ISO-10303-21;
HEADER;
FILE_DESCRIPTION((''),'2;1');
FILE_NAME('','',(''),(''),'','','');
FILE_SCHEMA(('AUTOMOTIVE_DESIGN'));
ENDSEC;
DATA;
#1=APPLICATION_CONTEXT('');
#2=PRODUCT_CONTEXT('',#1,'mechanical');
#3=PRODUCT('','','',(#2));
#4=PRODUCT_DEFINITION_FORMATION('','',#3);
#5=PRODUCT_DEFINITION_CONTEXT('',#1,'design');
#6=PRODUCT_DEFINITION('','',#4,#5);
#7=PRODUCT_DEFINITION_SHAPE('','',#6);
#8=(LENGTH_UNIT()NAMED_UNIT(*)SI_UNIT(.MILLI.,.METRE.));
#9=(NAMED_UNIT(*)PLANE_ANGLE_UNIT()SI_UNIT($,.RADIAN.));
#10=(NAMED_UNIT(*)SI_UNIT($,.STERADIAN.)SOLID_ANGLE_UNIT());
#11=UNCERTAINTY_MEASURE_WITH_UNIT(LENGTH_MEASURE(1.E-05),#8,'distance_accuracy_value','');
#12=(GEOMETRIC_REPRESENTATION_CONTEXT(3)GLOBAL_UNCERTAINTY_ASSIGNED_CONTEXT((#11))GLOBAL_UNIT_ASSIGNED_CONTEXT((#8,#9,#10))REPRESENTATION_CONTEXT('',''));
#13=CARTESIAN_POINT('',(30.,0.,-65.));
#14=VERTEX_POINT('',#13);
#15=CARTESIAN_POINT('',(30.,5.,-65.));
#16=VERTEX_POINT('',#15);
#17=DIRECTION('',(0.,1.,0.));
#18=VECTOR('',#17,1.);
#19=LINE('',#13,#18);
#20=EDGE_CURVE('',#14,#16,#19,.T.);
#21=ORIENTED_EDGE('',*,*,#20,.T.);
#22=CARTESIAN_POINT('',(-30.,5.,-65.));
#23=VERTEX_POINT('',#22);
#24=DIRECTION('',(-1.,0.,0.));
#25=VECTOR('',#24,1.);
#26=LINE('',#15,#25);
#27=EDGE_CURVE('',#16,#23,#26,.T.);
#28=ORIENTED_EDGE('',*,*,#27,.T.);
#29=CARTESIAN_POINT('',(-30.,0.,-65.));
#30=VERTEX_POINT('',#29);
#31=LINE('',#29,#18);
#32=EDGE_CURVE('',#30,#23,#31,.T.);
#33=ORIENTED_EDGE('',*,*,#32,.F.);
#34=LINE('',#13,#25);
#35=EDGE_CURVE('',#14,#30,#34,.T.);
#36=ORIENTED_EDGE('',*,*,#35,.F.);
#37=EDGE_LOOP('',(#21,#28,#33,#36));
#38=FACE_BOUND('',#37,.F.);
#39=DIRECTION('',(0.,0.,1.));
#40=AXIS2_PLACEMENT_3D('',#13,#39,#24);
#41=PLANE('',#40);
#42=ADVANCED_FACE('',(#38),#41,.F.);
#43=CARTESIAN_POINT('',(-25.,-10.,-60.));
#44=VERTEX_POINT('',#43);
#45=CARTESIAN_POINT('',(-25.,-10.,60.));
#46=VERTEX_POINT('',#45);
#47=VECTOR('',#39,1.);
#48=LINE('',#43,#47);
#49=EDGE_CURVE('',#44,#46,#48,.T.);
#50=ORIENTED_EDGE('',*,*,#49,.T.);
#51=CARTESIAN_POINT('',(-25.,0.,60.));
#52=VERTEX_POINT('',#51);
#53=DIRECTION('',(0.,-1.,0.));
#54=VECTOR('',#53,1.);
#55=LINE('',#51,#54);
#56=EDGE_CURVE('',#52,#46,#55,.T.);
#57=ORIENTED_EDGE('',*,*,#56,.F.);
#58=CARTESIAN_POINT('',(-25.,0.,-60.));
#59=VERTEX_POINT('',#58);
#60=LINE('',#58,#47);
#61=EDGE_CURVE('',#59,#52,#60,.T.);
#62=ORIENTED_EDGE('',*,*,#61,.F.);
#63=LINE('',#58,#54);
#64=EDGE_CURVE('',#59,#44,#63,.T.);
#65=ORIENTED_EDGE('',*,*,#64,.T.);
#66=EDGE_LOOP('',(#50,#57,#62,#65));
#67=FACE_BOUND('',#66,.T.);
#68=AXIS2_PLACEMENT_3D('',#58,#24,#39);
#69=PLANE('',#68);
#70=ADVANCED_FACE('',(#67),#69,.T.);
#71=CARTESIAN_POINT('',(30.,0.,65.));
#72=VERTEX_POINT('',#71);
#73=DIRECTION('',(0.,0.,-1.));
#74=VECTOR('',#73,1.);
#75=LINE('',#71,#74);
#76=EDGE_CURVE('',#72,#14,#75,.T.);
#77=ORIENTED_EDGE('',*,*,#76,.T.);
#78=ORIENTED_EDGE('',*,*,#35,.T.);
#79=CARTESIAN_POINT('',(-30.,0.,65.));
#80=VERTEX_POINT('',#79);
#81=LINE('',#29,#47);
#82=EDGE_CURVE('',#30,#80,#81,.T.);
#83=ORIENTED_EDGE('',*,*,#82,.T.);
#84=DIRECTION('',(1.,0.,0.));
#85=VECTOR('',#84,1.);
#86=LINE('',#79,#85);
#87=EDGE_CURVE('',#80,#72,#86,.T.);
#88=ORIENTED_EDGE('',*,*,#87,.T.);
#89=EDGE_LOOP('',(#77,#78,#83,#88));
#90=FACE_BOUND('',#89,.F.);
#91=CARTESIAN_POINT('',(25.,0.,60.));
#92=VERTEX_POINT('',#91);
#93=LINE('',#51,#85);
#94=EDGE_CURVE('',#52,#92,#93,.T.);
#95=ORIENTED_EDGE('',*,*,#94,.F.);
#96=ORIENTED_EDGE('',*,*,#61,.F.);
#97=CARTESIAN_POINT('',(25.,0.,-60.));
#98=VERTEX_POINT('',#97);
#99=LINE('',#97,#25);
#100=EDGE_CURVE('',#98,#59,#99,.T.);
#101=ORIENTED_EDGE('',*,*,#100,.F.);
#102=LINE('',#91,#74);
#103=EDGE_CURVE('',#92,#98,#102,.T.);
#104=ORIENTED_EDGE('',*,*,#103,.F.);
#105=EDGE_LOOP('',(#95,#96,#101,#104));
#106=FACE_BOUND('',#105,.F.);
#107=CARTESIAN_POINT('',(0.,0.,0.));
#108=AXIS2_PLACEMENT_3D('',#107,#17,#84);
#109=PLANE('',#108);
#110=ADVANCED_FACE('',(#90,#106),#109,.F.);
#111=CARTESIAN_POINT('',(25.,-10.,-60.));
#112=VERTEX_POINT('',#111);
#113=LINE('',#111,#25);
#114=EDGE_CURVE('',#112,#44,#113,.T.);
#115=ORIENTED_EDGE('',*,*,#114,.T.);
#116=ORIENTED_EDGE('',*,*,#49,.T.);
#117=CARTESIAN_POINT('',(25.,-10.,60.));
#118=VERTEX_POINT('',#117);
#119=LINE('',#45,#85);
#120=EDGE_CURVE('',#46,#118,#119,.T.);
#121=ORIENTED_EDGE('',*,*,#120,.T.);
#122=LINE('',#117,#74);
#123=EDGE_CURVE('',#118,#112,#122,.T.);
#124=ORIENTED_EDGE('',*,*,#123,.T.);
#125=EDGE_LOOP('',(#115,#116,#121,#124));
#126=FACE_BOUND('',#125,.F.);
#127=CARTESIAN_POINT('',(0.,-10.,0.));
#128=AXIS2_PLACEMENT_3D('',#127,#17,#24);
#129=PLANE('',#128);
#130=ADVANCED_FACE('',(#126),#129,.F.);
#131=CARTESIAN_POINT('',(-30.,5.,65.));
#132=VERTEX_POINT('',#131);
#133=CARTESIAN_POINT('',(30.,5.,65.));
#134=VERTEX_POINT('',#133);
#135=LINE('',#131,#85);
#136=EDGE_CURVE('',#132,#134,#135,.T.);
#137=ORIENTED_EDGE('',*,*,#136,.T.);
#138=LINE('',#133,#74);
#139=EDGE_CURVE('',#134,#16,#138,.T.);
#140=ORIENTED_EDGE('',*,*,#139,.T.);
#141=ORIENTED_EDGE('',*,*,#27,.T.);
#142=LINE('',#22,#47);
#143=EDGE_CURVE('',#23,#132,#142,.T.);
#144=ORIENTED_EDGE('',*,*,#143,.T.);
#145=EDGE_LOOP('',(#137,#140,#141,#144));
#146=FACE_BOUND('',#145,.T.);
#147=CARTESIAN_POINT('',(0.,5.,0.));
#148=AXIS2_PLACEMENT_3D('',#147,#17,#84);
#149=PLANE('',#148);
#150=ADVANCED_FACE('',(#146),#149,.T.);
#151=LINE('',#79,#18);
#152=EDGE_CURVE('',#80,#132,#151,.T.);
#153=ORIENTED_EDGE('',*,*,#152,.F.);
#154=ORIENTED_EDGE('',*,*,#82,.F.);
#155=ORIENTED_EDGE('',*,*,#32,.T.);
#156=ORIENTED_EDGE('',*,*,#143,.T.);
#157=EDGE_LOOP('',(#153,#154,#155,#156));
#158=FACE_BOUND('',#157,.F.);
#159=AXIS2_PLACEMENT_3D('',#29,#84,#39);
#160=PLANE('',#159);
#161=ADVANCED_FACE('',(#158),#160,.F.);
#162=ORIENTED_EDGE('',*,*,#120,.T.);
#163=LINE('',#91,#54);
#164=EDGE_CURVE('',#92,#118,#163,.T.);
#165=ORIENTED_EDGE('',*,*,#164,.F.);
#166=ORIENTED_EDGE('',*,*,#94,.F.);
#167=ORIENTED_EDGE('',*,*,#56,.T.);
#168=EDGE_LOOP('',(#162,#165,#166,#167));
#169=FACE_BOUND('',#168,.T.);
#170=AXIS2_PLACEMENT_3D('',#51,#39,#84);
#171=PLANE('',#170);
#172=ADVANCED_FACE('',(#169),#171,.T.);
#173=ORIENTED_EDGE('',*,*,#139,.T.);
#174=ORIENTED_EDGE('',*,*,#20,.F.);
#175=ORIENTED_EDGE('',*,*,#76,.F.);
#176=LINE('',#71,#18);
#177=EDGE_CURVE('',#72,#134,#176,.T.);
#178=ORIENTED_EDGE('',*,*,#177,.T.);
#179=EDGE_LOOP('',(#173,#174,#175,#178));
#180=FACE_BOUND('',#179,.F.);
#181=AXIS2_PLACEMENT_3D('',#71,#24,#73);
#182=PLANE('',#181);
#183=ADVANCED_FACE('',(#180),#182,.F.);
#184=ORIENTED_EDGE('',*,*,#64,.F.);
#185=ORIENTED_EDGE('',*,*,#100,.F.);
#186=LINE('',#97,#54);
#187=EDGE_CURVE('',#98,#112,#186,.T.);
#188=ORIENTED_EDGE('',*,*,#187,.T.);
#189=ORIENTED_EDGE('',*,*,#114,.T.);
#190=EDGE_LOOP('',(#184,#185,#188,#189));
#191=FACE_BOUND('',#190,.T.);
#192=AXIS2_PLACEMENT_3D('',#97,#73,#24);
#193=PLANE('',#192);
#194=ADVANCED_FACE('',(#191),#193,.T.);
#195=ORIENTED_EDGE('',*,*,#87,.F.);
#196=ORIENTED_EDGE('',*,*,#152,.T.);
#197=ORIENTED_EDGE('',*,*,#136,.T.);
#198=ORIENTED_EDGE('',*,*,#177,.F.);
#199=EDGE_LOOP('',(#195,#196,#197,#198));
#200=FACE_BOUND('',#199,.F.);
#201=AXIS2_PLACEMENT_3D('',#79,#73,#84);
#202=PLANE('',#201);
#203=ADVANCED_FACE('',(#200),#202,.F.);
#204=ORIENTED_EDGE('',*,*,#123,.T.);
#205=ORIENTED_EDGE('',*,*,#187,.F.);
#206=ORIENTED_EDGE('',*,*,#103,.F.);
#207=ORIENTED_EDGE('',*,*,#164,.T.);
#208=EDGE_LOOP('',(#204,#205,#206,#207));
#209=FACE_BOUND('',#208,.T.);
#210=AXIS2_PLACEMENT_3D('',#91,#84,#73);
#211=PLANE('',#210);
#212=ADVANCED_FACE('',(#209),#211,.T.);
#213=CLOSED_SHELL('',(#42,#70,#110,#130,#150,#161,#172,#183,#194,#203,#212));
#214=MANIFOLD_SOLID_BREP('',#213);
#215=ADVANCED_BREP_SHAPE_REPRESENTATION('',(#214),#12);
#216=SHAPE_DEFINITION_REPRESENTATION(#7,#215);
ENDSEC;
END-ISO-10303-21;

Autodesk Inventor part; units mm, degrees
ref_plane "YZ Plane" through (0, 0, 0) normal (1, 0, 0) x (0, 1, 0)
ref_plane "XZ Plane" through (0, 0, 0) normal (0, 1, 0) x (-1, 0, 0)
ref_plane "XY Plane" through (0, 0, 0) normal (0, 0, 1) x (1, 0, 0)
sketch "Sketch1" plane through (0, 0, 0) normal (0, 1, 0) x (-1, 0, 0)
  line L0 (-25, -60) -> (25, -60)
  line L1 (25, -60) -> (25, 60)
  line L2 (25, 60) -> (-25, 60)
  line L3 (-25, 60) -> (-25, -60)
  line L4 (-25, -60) -> (25, 60) construction
  line L5 (25, -60) -> (-25, 60) construction
  point P0 (0, 0)
  dimension "d0" = 50
  dimension "d1" = 120
extrude "Extrusion1" add sketch "Sketch1" against normal blind 10
sketch "Sketch2" plane through (0, 0, 0) normal (0, 1, 0) x (1, 0, 0)
  line L0 (30, 65) -> (-30, 65)
  line L1 (-30, 65) -> (-30, -65)
  line L2 (-30, -65) -> (30, -65)
  line L3 (30, -65) -> (30, 65)
  line L4 (30, 65) -> (-30, -65) construction
  line L5 (-30, 65) -> (30, -65) construction
  point P0 (0, 0)
  dimension "d4" = 60
  dimension "d5" = 130
extrude "Extrusion2" add sketch "Sketch2" along normal blind 5
properties part number "Caja_Superior"
